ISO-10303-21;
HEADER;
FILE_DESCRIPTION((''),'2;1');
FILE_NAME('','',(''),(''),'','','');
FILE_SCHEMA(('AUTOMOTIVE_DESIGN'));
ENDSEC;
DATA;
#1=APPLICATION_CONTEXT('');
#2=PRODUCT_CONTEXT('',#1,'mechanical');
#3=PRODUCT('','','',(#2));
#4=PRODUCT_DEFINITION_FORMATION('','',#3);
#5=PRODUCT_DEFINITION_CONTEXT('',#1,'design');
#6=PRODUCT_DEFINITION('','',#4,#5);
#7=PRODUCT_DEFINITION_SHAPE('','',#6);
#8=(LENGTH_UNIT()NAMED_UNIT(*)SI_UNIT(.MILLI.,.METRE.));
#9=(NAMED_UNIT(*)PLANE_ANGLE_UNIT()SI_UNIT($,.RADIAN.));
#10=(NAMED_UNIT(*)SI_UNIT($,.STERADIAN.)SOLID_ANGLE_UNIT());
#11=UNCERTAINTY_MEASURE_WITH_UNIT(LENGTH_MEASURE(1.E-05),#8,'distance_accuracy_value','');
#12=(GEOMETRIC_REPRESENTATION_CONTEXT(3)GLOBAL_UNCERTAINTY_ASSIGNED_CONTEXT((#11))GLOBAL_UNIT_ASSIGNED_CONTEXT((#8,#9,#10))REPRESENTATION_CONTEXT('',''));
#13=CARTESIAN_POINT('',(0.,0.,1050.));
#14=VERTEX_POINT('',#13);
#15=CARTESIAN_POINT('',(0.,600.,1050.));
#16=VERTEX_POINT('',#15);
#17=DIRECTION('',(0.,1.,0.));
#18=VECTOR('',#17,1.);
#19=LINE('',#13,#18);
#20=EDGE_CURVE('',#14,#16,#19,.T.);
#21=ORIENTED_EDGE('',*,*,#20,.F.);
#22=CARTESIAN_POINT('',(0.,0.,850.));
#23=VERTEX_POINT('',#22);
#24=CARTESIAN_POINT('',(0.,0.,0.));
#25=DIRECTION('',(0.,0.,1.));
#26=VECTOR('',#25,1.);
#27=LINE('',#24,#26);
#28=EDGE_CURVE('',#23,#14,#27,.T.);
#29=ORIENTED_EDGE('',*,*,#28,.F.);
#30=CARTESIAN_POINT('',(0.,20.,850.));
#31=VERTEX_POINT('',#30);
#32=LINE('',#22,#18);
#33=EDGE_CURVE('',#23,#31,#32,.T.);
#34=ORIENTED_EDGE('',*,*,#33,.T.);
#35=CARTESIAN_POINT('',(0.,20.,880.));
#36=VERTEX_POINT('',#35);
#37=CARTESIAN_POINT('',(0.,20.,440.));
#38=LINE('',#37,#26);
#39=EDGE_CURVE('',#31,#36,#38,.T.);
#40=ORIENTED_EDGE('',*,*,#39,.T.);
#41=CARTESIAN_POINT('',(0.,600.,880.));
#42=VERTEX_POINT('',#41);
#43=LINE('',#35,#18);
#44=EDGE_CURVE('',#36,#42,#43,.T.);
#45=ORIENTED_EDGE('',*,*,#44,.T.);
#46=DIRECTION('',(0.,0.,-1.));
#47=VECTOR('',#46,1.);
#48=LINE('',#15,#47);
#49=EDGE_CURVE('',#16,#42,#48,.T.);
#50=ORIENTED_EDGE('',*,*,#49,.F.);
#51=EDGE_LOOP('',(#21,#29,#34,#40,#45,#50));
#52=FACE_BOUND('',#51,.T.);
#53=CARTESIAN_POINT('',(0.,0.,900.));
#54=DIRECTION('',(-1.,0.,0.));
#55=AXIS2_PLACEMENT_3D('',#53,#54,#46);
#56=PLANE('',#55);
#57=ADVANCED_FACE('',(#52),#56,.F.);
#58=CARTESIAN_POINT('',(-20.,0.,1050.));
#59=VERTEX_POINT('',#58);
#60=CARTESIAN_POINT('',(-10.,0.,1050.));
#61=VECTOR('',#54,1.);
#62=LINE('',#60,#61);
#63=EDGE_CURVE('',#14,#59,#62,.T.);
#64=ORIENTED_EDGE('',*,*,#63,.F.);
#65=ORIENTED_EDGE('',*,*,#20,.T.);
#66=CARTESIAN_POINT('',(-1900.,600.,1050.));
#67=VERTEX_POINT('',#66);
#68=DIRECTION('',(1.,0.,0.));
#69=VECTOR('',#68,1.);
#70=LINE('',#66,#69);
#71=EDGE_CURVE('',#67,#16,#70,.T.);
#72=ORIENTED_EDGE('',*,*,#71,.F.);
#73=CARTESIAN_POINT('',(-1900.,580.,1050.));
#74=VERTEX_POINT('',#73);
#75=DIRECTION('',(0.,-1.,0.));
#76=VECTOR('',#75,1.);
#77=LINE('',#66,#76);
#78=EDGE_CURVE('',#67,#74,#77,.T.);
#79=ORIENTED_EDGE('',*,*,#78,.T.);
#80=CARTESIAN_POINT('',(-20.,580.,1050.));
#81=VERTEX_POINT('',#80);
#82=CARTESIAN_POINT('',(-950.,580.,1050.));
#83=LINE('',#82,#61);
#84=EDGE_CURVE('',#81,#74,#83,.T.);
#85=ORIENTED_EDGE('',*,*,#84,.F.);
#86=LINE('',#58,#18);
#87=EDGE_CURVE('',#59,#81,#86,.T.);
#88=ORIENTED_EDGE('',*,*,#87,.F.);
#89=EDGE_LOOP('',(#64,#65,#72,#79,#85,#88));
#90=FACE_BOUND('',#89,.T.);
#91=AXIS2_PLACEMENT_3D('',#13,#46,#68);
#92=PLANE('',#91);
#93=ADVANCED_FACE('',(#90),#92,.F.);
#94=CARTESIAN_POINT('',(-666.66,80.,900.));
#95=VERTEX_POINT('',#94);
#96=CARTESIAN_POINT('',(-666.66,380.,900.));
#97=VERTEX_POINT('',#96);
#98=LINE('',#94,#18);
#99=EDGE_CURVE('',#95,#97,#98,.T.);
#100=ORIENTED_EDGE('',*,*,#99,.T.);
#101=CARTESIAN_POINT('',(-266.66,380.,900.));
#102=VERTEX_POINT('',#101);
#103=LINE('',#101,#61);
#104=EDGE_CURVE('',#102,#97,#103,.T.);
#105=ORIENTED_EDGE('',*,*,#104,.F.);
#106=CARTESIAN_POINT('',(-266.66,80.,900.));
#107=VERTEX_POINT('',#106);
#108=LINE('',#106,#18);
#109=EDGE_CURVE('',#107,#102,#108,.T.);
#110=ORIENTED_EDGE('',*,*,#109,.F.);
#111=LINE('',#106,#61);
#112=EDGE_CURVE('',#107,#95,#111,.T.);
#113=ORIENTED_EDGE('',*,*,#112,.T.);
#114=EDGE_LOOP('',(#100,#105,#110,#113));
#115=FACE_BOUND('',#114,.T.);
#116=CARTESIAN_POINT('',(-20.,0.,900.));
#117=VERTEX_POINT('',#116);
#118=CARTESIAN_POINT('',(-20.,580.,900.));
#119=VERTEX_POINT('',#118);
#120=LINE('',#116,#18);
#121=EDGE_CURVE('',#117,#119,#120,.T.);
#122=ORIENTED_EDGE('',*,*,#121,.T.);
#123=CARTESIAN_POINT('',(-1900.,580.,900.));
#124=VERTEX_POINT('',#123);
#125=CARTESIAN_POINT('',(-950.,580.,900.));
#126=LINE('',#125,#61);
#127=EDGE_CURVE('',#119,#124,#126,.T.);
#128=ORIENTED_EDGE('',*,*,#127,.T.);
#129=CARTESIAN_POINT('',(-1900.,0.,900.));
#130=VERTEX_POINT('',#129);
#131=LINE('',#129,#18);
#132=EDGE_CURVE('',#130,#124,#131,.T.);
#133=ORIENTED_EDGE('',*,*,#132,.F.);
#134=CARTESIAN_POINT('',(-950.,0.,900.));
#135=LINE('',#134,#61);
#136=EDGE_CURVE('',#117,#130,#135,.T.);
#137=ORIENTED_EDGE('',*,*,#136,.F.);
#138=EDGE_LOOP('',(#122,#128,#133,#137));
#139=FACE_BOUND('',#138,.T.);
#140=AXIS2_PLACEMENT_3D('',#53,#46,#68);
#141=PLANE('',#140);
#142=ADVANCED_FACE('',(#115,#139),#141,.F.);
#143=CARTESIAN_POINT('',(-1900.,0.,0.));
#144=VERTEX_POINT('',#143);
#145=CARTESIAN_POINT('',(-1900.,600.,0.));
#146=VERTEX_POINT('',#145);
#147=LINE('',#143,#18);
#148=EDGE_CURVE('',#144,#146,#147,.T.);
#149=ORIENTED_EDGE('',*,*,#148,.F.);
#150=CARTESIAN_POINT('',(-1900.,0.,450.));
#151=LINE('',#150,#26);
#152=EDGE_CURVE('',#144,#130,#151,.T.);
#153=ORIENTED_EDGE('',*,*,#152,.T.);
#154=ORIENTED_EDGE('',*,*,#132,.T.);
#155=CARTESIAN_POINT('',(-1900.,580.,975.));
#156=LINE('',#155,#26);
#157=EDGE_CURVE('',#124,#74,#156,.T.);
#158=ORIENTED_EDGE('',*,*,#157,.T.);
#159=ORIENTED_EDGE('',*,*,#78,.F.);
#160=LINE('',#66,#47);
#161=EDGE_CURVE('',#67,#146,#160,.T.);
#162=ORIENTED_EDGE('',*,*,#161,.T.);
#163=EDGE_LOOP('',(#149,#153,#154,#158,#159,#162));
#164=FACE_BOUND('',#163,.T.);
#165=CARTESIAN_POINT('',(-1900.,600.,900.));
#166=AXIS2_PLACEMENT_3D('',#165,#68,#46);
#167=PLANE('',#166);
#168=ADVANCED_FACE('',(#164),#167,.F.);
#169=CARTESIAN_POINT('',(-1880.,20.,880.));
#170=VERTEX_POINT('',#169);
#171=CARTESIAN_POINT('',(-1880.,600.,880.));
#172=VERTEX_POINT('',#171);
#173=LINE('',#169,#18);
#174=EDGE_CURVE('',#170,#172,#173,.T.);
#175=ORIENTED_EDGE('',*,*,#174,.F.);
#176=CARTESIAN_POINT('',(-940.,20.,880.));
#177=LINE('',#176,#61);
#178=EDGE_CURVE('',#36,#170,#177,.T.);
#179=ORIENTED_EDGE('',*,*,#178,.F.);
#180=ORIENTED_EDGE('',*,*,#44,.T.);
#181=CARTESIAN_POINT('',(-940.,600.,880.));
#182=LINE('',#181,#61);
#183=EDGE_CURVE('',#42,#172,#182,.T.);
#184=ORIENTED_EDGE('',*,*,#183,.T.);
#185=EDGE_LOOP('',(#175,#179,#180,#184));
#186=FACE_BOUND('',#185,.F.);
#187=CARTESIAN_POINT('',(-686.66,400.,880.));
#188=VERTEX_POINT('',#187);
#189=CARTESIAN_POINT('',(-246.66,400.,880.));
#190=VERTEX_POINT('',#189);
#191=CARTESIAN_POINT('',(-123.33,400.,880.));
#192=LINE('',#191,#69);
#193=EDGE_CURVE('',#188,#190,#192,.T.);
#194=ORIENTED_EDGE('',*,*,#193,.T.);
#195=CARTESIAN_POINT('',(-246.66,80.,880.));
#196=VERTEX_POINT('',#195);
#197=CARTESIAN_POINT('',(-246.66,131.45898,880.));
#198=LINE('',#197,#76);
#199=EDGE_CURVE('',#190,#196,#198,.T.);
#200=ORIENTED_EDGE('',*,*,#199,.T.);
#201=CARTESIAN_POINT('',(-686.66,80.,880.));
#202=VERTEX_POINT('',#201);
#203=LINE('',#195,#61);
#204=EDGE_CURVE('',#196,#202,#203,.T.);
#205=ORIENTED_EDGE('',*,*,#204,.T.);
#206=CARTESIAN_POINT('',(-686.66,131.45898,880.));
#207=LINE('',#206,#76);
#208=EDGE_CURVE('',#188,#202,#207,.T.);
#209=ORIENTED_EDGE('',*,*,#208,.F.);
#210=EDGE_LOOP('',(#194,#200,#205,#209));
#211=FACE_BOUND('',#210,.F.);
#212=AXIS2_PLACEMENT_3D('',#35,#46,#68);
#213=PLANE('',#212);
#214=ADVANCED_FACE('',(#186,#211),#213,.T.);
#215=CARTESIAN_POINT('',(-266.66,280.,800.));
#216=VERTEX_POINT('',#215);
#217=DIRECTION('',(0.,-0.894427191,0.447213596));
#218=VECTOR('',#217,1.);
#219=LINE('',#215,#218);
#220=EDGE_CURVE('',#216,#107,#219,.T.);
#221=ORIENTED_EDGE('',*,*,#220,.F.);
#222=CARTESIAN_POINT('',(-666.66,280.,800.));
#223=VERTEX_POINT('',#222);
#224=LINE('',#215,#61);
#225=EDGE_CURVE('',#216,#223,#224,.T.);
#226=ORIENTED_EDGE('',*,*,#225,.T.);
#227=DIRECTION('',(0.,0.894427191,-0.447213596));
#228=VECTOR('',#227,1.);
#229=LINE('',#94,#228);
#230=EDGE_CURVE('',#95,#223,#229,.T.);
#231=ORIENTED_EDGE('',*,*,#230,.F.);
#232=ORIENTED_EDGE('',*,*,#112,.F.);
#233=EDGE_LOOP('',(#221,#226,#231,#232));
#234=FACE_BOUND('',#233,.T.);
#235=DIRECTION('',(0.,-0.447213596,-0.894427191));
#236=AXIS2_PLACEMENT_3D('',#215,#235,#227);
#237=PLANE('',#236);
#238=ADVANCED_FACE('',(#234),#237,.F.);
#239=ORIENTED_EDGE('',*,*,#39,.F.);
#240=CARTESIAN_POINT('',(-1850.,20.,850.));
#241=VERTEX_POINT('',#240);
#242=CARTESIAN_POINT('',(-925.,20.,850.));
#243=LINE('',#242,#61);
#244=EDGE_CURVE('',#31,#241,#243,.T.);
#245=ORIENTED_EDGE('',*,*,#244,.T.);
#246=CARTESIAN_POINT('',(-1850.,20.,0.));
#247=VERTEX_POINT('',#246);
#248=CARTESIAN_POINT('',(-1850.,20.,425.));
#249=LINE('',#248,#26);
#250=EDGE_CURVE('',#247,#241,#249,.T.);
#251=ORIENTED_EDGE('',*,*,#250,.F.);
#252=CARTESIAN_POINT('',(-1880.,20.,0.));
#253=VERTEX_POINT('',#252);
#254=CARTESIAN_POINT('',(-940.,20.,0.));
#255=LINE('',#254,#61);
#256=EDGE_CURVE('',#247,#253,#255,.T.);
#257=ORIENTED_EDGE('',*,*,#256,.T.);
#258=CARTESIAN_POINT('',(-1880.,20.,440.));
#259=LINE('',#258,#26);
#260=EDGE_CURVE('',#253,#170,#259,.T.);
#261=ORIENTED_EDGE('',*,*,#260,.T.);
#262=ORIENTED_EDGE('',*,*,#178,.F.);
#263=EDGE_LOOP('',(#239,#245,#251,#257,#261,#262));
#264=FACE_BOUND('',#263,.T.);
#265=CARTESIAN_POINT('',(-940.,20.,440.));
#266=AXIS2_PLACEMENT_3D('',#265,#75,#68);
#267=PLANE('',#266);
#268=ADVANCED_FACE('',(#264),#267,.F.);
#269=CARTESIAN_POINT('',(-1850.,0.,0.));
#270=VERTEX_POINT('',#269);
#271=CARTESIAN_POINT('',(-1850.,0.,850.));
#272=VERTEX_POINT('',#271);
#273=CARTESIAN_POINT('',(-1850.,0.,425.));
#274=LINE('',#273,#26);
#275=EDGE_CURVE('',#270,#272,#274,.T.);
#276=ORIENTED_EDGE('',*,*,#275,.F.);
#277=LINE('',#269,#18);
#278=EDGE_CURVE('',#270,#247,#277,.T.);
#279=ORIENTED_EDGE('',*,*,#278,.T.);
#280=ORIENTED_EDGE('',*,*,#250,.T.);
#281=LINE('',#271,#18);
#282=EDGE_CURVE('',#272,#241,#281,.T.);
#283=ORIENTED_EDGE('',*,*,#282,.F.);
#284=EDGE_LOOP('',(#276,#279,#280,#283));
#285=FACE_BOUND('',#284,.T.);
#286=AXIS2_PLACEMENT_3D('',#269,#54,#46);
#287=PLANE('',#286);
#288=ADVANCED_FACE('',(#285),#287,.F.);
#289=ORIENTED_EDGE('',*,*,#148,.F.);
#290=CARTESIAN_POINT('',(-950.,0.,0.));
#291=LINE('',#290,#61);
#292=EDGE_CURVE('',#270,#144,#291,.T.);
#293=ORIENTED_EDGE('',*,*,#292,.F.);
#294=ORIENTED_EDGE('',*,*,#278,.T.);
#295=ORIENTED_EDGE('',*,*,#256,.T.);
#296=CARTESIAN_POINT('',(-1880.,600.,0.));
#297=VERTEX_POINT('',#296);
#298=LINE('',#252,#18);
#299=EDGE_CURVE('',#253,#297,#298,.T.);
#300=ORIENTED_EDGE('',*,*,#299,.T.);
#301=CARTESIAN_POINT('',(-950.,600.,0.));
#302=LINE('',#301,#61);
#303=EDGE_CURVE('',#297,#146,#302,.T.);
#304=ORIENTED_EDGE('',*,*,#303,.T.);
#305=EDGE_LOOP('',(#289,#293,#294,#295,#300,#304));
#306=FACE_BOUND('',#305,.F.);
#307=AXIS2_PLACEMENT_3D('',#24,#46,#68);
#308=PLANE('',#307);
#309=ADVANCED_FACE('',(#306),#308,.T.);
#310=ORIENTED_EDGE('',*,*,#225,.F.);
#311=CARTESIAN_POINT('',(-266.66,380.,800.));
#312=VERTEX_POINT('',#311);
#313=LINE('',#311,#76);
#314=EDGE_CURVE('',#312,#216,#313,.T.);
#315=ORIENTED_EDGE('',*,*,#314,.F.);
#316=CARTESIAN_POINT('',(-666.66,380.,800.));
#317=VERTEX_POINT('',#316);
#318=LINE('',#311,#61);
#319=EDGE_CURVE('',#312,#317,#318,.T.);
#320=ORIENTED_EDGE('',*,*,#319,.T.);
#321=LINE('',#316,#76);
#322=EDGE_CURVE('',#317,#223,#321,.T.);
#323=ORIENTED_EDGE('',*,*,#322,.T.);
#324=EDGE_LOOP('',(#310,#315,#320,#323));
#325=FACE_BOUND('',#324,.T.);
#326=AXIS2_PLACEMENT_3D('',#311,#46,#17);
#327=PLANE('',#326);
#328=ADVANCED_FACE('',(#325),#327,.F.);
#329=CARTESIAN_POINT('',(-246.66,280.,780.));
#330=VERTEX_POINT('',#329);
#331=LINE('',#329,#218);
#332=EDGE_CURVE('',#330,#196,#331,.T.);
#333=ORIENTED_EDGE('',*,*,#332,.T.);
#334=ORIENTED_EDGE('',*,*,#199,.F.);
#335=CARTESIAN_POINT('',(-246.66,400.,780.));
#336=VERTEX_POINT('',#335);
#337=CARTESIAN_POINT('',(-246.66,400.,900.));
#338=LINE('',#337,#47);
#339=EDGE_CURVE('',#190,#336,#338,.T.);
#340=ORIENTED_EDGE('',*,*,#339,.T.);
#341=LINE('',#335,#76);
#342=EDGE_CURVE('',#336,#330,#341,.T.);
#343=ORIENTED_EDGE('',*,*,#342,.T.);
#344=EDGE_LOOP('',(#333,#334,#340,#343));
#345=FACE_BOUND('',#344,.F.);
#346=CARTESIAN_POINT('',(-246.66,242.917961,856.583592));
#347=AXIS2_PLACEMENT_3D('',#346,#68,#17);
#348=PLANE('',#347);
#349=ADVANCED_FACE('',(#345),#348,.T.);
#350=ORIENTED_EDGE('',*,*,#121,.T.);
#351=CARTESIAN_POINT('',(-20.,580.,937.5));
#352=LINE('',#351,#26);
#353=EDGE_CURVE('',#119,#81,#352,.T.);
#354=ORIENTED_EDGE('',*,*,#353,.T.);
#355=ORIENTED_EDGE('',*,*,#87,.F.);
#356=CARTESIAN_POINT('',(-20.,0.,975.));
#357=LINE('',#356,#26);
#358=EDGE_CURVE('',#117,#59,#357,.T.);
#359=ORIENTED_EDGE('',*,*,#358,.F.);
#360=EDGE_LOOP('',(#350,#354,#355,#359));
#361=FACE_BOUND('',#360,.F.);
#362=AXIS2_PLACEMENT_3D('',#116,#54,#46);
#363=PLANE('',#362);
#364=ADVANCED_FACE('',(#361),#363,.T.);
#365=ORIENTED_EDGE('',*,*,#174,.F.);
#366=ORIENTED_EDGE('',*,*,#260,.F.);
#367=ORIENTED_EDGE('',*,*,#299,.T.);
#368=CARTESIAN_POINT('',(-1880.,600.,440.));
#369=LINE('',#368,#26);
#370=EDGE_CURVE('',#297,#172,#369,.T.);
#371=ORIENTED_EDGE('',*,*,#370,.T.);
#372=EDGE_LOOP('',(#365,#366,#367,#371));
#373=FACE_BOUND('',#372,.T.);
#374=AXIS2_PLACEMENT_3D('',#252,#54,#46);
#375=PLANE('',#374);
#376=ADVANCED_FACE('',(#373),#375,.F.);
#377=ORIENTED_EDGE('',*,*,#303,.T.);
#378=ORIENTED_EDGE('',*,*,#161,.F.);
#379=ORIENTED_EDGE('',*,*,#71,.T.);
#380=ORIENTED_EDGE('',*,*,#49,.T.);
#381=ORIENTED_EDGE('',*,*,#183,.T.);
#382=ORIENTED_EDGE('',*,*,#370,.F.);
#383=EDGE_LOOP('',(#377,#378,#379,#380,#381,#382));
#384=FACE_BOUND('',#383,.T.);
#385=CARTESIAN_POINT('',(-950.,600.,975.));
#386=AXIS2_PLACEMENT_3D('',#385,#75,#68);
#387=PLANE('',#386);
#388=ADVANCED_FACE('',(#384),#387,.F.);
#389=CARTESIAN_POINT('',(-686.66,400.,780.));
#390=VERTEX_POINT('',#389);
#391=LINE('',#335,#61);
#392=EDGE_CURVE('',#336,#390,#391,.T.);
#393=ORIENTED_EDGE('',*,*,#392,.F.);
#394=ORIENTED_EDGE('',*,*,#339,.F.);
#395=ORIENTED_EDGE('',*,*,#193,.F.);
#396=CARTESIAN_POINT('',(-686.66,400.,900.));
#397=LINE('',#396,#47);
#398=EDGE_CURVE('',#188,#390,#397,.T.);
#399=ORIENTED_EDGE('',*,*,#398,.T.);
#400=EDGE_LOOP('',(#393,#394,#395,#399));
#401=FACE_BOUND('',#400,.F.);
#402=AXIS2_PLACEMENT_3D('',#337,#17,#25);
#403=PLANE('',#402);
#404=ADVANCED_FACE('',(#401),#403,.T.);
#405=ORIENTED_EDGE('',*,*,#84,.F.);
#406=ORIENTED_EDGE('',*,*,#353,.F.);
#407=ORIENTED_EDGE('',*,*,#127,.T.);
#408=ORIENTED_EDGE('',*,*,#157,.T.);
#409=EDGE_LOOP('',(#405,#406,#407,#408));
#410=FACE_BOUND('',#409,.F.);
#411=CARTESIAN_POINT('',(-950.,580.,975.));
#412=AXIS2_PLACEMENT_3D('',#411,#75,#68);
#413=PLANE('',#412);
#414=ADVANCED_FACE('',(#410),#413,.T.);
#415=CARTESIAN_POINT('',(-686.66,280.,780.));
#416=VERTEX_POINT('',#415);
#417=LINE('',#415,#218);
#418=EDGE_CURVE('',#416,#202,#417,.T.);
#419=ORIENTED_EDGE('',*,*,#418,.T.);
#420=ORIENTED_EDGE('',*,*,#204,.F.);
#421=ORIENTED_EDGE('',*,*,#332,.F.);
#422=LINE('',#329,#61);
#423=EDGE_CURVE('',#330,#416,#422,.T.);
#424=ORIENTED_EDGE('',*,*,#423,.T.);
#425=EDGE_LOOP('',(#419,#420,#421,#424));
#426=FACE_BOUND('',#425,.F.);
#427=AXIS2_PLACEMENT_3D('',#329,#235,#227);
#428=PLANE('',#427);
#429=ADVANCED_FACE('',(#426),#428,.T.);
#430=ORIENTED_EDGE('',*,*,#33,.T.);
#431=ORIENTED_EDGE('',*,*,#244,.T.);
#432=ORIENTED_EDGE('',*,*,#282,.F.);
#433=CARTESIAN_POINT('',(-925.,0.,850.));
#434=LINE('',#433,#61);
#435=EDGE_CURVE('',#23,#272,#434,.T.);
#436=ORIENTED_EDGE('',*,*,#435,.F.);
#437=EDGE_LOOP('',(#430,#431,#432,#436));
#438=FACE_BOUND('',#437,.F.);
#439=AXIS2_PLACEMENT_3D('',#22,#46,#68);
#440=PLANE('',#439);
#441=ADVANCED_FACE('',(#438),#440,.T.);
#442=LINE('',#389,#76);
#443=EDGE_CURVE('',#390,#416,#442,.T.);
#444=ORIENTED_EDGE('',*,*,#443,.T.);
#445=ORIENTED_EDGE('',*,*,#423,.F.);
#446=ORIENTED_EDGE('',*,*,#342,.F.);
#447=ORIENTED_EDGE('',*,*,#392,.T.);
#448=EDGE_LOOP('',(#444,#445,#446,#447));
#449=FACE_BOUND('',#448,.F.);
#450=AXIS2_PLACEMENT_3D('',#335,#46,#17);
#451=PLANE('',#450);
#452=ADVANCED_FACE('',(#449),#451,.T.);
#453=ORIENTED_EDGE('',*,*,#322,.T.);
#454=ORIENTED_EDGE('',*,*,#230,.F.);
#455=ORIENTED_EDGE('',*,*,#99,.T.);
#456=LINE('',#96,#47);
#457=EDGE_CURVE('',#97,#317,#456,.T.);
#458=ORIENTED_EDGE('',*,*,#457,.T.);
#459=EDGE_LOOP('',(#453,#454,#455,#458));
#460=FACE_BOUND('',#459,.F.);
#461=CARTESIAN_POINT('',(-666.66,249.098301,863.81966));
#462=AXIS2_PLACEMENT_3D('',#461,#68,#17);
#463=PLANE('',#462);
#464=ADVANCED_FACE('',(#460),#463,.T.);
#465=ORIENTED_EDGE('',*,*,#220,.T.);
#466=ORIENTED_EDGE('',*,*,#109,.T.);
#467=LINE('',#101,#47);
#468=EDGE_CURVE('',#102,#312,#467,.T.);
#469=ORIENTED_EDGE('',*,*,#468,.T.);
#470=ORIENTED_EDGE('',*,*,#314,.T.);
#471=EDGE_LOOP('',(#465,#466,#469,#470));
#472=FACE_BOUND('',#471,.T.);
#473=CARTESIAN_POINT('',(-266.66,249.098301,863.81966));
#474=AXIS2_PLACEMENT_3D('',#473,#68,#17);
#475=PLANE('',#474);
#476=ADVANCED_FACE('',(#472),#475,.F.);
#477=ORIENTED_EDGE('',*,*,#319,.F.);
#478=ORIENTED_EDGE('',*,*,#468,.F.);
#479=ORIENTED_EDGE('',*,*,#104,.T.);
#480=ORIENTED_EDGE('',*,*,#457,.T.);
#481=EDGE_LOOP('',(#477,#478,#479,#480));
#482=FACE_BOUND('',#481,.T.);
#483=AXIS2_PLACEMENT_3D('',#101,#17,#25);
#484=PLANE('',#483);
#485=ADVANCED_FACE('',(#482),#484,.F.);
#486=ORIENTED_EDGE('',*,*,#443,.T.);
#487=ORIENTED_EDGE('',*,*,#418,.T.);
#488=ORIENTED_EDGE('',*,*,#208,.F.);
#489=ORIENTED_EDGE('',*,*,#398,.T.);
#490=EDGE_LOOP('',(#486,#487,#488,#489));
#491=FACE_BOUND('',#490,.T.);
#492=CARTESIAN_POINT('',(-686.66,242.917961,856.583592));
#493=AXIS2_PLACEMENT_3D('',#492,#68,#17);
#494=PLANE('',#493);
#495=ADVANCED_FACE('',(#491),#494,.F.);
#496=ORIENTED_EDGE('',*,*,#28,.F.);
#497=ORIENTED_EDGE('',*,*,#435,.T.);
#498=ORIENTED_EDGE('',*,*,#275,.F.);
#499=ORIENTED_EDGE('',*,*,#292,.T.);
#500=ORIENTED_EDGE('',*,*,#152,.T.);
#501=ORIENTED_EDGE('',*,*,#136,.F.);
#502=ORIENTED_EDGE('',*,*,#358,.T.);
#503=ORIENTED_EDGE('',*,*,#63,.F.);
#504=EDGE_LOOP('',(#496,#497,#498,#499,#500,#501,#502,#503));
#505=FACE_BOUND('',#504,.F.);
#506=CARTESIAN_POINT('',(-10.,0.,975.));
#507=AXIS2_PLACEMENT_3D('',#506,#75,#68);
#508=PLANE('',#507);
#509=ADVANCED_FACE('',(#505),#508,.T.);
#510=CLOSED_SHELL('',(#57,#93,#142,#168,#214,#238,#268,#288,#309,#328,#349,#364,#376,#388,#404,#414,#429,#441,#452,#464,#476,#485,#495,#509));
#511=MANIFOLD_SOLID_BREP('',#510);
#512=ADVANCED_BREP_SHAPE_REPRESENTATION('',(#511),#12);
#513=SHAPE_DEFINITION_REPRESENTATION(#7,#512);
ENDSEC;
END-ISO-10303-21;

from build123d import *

# Parameters (mm, degrees)
SKETCH002_W      = 1880
SKETCH002_H      = 880
EXTRUDE002_DEPTH = 580
SKETCH001_W      = 1850
SKETCH001_H      = 850
EXTRUDE001_DEPTH = 20
SKETCH003_W      = 400
SKETCH003_H      = 300
EXTRUDE003_DEPTH = 20
SKETCH004_W      = 1900
SKETCH004_H      = 150
EXTRUDE004_DEPTH = 20
SKETCH005_W      = 20
SKETCH005_H      = 150
EXTRUDE005_DEPTH = 600
SKETCH_W         = 1900
SKETCH_H         = 900
EXTRUDE_DEPTH    = 600
EXTRUDE006_DEPTH = 400
EXTRUDE007_DEPTH = 440


with BuildPart() as base:
    # Sketch002 → Extrude002 (new body)
    with BuildSketch(Plane.XZ):
        with Locations((940, 440)):
            Rectangle(SKETCH002_W, SKETCH002_H)
    extrude(amount=-EXTRUDE002_DEPTH)


with BuildPart() as base_1:
    # Extrude002 placement: moved
    add(base.part.moved(Location((0, 20, 0))))


with BuildPart() as saia:
    # Sketch001 → Extrude001 (new body)
    with BuildSketch(Plane.XZ):
        with Locations((925, 425)):
            Rectangle(SKETCH001_W, SKETCH001_H)
    extrude(amount=-EXTRUDE001_DEPTH)


with BuildPart() as cortes:
    # Sketch003 → Extrude003 (new body)
    with BuildSketch(Plane.XY):
        with Locations((200, 150)):
            Rectangle(SKETCH003_W, SKETCH003_H)
    extrude(amount=EXTRUDE003_DEPTH)


with BuildPart() as cortes_1:
    # Extrude003 placement: moved
    add(cortes.part.moved(Location((266.66, 80, 880))))

    # Fusion: union Base , Saia
    add(base_1.part)
    add(saia.part)


with BuildPart() as roda_m_o:
    # Sketch004 → Extrude004 (new body)
    with BuildSketch(Plane.XZ):
        with Locations((950, 75)):
            Rectangle(SKETCH004_W, SKETCH004_H)
    extrude(amount=EXTRUDE004_DEPTH)


with BuildPart() as roda_m_o_1:
    # Extrude004 placement: moved
    add(roda_m_o.part.moved(Location((0, 600, 900))))


with BuildPart() as extrude005:
    # Sketch005 → Extrude005 (new body)
    with BuildSketch(Plane.XZ):
        with Locations((10, 75)):
            Rectangle(SKETCH005_W, SKETCH005_H)
    extrude(amount=-EXTRUDE005_DEPTH)


with BuildPart() as extrude005_1:
    # Extrude005 placement: moved
    add(extrude005.part.moved(Location((0, 0, 900))))


with BuildPart() as cut:
    # Sketch → Extrude (new body)
    with BuildSketch(Plane.XZ):
        with Locations((950, 450)):
            Rectangle(SKETCH_W, SKETCH_H)
    extrude(amount=-EXTRUDE_DEPTH)

    # Fusion001: union Roda mão , Extrude005
    add(roda_m_o_1.part)
    add(extrude005_1.part)

    # Cut: cut Cortes
    add(cortes_1.part, mode=Mode.SUBTRACT)


with BuildPart() as extrude006:
    # Sketch006 → Extrude006 (new body)
    with BuildSketch(Plane.YZ):
        Polygon((0, 0), (300, 0), (300, -100), (200, -100), align=None)
    extrude(amount=EXTRUDE006_DEPTH)


with BuildPart() as lavat_rio_cuba_esculpida_1_p_fechado001:
    # Sketch007 → Extrude007 (new body)
    with BuildSketch(Plane.YZ):
        Polygon((-40, 0), (320, 0), (320, -120), (200, -120), align=None)
    extrude(amount=EXTRUDE007_DEPTH)


with BuildPart() as lavat_rio_cuba_esculpida_1_p_fechado001_1:
    # Extrude007 placement: moved
    add(lavat_rio_cuba_esculpida_1_p_fechado001.part.moved(Location((-20, 0, 0))))

    # Cut001: cut Extrude006
    add(extrude006.part, mode=Mode.SUBTRACT)


with BuildPart() as lavat_rio_cuba_esculpida_1_p_fechado001_2:
    # Cut001 placement: moved
    add(lavat_rio_cuba_esculpida_1_p_fechado001_1.part.moved(Location((266.66, 80, 900))))

    # Fusion015: union Cut
    add(cut.part)


with BuildPart() as mirror:
    # Mirror: instance of lavatório cuba esculpida 1 pé fechado001
    add(lavat_rio_cuba_esculpida_1_p_fechado001_2.part.mirror(Plane(origin=(0, 0, 0), x_dir=(0, -1, 0), z_dir=(1, 0, 0))))


solid = mirror.part
